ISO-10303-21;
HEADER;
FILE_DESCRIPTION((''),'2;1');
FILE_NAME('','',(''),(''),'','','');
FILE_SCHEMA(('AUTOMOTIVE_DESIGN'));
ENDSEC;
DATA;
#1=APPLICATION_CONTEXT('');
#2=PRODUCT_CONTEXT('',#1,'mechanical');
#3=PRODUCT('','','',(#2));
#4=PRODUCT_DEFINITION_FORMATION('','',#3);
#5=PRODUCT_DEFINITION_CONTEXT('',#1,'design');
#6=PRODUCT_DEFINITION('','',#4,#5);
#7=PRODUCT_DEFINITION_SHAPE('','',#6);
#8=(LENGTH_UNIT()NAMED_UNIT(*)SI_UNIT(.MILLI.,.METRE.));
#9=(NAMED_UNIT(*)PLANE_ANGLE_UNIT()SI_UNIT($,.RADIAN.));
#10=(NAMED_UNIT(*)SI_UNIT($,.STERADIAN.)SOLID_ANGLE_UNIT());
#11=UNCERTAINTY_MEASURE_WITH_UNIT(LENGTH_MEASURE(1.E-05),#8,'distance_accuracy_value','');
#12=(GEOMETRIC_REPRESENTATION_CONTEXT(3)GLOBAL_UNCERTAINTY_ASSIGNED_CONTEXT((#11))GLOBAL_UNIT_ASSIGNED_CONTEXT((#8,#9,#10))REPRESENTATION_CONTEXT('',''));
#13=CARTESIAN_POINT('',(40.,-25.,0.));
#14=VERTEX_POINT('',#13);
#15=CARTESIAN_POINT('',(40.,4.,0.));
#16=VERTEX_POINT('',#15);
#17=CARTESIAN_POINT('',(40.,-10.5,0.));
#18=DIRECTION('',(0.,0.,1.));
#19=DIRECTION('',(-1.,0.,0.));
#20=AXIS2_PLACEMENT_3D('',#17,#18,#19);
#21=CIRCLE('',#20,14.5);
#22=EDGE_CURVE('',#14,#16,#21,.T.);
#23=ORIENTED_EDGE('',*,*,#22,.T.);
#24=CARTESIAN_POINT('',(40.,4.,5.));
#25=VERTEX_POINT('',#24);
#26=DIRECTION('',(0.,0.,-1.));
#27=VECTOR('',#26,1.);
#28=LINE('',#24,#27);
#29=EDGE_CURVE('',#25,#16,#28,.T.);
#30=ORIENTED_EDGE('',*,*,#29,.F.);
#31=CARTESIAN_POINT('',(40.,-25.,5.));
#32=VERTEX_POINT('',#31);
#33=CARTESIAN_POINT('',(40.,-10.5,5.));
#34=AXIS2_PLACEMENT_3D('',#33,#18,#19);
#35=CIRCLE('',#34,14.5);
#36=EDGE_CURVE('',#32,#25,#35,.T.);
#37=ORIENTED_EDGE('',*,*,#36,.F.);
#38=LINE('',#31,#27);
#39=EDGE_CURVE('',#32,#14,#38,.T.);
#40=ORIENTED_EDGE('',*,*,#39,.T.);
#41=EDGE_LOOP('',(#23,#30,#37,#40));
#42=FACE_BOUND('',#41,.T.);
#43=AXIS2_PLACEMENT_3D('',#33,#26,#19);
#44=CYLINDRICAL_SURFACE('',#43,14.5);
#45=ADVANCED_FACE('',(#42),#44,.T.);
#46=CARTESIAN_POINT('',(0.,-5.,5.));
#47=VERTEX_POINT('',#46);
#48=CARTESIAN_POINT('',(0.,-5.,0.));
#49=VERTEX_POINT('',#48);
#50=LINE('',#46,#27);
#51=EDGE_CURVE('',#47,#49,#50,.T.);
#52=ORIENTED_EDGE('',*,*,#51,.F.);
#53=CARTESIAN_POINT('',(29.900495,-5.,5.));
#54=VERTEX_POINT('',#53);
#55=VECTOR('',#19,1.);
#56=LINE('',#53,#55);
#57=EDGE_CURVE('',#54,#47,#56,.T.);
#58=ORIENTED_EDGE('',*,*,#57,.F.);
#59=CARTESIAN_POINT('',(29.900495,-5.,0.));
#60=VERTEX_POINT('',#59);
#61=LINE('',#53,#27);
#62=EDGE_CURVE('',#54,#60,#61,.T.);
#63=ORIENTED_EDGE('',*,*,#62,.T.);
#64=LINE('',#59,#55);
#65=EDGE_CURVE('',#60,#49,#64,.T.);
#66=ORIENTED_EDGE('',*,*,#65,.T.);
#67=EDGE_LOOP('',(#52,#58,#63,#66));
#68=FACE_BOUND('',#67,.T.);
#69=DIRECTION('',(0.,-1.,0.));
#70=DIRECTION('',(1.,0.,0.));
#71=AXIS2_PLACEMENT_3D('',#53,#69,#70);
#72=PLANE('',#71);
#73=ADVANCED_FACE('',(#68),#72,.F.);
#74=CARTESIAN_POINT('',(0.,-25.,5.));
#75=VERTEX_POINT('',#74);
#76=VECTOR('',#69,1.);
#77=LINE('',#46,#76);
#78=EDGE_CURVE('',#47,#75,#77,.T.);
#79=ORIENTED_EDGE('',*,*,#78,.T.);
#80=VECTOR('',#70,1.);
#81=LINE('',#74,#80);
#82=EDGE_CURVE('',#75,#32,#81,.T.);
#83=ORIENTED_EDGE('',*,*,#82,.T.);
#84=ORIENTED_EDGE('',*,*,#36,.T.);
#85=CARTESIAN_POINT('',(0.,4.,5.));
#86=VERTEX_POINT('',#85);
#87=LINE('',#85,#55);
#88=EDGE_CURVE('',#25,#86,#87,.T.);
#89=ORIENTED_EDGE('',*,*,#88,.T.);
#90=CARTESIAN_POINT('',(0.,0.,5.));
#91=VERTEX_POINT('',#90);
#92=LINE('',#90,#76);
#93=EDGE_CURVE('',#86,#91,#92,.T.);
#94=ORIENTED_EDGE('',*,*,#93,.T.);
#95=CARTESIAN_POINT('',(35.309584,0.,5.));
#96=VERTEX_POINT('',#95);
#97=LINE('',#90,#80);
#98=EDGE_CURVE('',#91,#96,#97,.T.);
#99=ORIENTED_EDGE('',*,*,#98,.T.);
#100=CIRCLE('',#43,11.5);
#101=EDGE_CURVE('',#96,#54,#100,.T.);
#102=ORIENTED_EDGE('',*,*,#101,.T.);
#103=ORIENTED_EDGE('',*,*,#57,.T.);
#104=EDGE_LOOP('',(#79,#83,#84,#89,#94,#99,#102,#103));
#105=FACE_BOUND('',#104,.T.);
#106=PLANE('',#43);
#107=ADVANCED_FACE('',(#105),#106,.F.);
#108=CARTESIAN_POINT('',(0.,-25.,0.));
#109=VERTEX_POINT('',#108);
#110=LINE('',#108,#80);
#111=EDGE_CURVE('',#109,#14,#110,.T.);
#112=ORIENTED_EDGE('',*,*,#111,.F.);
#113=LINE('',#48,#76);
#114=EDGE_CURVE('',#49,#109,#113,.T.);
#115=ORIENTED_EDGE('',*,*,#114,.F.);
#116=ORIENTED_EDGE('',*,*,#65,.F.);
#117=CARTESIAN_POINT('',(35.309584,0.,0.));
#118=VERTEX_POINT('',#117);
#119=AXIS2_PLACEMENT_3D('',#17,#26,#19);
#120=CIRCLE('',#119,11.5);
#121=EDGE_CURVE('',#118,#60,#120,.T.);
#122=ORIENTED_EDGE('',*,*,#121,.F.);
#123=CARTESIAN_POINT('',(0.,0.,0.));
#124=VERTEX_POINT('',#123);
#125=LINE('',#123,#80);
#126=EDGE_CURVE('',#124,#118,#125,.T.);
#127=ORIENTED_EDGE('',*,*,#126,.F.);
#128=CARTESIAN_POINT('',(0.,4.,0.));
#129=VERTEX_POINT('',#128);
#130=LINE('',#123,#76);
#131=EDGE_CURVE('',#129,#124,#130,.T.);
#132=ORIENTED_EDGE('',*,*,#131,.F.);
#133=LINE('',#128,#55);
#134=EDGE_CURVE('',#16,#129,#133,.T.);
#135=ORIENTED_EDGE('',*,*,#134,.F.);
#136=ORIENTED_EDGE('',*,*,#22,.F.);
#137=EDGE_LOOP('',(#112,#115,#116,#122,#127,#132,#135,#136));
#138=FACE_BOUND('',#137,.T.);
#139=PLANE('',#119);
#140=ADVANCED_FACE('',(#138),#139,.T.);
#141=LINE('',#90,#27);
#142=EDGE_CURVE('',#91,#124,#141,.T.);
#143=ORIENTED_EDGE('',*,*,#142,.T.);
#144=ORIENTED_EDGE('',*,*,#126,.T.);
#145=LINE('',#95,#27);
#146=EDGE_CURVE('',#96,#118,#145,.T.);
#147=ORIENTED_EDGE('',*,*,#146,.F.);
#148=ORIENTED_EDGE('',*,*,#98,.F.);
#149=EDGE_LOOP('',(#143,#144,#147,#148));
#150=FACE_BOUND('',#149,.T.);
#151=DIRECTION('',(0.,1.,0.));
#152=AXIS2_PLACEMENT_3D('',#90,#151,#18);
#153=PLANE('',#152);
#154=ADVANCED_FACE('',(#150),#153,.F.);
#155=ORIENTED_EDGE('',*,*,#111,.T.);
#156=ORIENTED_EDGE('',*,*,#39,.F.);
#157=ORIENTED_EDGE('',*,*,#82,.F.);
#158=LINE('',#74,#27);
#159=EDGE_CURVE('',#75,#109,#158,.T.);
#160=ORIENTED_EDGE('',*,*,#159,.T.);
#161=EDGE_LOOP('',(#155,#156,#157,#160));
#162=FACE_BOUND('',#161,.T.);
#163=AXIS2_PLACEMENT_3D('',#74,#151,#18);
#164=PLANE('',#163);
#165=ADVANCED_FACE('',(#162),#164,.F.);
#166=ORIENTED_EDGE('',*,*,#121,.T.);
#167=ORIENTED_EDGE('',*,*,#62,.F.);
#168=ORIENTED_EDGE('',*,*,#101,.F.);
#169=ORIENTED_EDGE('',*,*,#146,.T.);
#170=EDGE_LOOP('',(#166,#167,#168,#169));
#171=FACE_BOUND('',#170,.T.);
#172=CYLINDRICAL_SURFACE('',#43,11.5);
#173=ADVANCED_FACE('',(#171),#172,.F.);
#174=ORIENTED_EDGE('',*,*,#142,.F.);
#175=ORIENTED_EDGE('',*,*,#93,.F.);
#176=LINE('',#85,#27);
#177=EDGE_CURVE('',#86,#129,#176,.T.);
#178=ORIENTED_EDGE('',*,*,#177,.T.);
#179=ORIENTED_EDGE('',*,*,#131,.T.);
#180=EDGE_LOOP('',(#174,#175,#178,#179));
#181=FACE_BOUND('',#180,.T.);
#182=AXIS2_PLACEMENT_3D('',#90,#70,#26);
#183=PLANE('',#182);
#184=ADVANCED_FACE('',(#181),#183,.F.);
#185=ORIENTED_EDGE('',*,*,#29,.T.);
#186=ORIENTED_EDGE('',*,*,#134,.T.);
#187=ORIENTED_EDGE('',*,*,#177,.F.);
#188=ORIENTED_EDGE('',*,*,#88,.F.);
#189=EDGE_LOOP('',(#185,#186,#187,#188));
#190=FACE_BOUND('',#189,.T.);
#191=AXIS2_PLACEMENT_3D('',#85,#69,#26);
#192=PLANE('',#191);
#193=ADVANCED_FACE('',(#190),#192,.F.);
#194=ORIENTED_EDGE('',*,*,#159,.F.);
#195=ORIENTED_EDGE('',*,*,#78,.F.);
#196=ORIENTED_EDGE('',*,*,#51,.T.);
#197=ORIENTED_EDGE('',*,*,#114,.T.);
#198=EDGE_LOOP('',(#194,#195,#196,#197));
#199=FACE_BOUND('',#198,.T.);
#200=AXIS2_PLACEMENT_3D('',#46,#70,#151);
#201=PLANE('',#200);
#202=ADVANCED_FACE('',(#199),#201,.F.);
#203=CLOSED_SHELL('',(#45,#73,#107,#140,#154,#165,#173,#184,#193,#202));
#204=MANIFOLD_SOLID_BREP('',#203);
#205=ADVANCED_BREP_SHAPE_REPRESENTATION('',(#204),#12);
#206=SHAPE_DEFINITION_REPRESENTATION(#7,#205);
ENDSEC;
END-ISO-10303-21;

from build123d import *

# Parameters (mm, degrees)
BOSS_EXTRUDE1_DEPTH = 5


with BuildPart() as part:
    # Sketch1 → Boss-Extrude1 (new body)
    with BuildSketch(Plane.XY):
        with BuildLine():
            Line((0, 0), (0, 4))
            Line((0, 4), (40, 4))
            ThreePointArc((40, 4), (54.5, -10.5), (40, -25))
            Line((40, -25), (0, -25))
            Line((0, -25), (0, -5))
            Line((0, -5), (29.900495062, -5))
            ThreePointArc((29.900495062, -5), (47.806115459, -18.944794932), (35.30958424, 0))
            Line((35.30958424, 0), (0, 0))
        make_face()
    extrude(amount=BOSS_EXTRUDE1_DEPTH)


solid = part.part
